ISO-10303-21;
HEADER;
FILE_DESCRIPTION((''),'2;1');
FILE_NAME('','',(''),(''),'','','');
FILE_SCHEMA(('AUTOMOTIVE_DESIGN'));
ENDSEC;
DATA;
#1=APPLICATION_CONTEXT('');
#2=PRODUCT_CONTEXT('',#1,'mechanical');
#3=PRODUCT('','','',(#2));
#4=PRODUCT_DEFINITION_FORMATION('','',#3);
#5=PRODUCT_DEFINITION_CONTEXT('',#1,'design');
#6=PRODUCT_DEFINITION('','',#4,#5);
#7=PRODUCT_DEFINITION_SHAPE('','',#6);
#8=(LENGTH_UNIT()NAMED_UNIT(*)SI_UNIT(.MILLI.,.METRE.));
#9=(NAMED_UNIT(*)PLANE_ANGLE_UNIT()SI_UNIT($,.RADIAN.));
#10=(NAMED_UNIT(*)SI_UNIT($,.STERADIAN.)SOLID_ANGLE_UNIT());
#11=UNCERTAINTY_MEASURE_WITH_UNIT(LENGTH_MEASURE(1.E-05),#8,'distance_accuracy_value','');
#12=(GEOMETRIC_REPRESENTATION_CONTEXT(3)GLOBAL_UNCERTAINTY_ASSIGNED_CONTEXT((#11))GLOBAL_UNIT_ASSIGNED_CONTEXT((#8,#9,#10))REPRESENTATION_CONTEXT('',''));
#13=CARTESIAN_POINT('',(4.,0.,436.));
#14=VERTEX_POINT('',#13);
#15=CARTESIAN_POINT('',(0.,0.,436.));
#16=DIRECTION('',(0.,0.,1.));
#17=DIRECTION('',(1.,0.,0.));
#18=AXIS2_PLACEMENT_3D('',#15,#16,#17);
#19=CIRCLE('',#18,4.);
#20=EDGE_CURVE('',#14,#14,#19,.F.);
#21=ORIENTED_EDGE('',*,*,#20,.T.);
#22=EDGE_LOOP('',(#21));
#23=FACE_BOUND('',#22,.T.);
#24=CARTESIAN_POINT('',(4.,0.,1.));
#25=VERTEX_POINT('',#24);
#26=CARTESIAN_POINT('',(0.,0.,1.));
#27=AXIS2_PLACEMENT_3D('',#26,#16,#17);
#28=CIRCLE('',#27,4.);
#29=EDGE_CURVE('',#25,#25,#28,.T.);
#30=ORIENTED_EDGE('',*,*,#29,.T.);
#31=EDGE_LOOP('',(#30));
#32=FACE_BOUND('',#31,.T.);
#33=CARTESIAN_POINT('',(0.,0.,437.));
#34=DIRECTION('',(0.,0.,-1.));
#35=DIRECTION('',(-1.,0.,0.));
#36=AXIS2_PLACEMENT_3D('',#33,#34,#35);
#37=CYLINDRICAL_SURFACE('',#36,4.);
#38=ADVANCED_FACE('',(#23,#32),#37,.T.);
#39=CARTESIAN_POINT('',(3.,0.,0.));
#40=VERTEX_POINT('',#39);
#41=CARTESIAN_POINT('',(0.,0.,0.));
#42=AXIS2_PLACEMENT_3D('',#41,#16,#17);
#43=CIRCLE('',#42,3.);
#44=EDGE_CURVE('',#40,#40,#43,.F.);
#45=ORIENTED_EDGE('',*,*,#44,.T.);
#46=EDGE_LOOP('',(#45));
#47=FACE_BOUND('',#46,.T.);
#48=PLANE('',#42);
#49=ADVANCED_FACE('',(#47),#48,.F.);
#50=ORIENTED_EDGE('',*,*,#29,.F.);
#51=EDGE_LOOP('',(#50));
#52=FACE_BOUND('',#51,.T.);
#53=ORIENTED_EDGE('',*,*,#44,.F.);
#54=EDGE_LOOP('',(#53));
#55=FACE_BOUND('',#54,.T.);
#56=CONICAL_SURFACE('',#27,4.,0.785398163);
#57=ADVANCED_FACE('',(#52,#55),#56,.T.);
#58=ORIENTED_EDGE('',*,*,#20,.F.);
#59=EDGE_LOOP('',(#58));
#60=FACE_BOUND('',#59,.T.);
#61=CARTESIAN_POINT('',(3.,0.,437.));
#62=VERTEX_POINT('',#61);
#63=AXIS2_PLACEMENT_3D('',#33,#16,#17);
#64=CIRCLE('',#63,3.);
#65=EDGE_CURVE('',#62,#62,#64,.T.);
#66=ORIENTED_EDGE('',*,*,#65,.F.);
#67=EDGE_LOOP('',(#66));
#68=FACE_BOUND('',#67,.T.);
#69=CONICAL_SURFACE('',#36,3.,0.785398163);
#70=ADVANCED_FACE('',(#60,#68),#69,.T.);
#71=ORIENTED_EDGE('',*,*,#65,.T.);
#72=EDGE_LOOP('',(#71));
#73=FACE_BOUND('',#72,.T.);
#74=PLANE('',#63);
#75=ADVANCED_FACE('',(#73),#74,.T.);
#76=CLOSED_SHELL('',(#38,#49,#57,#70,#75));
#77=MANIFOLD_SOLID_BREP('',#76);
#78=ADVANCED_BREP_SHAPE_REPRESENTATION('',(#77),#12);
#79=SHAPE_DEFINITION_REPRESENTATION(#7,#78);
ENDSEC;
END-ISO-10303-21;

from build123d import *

# Parameters (mm, degrees)
SKETCH1_R           = 4
BOSS_EXTRUDE1_DEPTH = 437
CHAMFER1_SIZE       = 1


with BuildPart() as part:
    # Sketch1 → Boss-Extrude1 (new body)
    with BuildSketch(Plane.XY):
        Circle(SKETCH1_R)
    extrude(amount=BOSS_EXTRUDE1_DEPTH)

    # Chamfer1
    chamfer1_edges = [part.edges().sort_by_distance(p)[0] for p in [
        (-4, 0, 0),
        (-4, 0, 437),
    ]]
    chamfer(chamfer1_edges, length=CHAMFER1_SIZE)


solid = part.part
